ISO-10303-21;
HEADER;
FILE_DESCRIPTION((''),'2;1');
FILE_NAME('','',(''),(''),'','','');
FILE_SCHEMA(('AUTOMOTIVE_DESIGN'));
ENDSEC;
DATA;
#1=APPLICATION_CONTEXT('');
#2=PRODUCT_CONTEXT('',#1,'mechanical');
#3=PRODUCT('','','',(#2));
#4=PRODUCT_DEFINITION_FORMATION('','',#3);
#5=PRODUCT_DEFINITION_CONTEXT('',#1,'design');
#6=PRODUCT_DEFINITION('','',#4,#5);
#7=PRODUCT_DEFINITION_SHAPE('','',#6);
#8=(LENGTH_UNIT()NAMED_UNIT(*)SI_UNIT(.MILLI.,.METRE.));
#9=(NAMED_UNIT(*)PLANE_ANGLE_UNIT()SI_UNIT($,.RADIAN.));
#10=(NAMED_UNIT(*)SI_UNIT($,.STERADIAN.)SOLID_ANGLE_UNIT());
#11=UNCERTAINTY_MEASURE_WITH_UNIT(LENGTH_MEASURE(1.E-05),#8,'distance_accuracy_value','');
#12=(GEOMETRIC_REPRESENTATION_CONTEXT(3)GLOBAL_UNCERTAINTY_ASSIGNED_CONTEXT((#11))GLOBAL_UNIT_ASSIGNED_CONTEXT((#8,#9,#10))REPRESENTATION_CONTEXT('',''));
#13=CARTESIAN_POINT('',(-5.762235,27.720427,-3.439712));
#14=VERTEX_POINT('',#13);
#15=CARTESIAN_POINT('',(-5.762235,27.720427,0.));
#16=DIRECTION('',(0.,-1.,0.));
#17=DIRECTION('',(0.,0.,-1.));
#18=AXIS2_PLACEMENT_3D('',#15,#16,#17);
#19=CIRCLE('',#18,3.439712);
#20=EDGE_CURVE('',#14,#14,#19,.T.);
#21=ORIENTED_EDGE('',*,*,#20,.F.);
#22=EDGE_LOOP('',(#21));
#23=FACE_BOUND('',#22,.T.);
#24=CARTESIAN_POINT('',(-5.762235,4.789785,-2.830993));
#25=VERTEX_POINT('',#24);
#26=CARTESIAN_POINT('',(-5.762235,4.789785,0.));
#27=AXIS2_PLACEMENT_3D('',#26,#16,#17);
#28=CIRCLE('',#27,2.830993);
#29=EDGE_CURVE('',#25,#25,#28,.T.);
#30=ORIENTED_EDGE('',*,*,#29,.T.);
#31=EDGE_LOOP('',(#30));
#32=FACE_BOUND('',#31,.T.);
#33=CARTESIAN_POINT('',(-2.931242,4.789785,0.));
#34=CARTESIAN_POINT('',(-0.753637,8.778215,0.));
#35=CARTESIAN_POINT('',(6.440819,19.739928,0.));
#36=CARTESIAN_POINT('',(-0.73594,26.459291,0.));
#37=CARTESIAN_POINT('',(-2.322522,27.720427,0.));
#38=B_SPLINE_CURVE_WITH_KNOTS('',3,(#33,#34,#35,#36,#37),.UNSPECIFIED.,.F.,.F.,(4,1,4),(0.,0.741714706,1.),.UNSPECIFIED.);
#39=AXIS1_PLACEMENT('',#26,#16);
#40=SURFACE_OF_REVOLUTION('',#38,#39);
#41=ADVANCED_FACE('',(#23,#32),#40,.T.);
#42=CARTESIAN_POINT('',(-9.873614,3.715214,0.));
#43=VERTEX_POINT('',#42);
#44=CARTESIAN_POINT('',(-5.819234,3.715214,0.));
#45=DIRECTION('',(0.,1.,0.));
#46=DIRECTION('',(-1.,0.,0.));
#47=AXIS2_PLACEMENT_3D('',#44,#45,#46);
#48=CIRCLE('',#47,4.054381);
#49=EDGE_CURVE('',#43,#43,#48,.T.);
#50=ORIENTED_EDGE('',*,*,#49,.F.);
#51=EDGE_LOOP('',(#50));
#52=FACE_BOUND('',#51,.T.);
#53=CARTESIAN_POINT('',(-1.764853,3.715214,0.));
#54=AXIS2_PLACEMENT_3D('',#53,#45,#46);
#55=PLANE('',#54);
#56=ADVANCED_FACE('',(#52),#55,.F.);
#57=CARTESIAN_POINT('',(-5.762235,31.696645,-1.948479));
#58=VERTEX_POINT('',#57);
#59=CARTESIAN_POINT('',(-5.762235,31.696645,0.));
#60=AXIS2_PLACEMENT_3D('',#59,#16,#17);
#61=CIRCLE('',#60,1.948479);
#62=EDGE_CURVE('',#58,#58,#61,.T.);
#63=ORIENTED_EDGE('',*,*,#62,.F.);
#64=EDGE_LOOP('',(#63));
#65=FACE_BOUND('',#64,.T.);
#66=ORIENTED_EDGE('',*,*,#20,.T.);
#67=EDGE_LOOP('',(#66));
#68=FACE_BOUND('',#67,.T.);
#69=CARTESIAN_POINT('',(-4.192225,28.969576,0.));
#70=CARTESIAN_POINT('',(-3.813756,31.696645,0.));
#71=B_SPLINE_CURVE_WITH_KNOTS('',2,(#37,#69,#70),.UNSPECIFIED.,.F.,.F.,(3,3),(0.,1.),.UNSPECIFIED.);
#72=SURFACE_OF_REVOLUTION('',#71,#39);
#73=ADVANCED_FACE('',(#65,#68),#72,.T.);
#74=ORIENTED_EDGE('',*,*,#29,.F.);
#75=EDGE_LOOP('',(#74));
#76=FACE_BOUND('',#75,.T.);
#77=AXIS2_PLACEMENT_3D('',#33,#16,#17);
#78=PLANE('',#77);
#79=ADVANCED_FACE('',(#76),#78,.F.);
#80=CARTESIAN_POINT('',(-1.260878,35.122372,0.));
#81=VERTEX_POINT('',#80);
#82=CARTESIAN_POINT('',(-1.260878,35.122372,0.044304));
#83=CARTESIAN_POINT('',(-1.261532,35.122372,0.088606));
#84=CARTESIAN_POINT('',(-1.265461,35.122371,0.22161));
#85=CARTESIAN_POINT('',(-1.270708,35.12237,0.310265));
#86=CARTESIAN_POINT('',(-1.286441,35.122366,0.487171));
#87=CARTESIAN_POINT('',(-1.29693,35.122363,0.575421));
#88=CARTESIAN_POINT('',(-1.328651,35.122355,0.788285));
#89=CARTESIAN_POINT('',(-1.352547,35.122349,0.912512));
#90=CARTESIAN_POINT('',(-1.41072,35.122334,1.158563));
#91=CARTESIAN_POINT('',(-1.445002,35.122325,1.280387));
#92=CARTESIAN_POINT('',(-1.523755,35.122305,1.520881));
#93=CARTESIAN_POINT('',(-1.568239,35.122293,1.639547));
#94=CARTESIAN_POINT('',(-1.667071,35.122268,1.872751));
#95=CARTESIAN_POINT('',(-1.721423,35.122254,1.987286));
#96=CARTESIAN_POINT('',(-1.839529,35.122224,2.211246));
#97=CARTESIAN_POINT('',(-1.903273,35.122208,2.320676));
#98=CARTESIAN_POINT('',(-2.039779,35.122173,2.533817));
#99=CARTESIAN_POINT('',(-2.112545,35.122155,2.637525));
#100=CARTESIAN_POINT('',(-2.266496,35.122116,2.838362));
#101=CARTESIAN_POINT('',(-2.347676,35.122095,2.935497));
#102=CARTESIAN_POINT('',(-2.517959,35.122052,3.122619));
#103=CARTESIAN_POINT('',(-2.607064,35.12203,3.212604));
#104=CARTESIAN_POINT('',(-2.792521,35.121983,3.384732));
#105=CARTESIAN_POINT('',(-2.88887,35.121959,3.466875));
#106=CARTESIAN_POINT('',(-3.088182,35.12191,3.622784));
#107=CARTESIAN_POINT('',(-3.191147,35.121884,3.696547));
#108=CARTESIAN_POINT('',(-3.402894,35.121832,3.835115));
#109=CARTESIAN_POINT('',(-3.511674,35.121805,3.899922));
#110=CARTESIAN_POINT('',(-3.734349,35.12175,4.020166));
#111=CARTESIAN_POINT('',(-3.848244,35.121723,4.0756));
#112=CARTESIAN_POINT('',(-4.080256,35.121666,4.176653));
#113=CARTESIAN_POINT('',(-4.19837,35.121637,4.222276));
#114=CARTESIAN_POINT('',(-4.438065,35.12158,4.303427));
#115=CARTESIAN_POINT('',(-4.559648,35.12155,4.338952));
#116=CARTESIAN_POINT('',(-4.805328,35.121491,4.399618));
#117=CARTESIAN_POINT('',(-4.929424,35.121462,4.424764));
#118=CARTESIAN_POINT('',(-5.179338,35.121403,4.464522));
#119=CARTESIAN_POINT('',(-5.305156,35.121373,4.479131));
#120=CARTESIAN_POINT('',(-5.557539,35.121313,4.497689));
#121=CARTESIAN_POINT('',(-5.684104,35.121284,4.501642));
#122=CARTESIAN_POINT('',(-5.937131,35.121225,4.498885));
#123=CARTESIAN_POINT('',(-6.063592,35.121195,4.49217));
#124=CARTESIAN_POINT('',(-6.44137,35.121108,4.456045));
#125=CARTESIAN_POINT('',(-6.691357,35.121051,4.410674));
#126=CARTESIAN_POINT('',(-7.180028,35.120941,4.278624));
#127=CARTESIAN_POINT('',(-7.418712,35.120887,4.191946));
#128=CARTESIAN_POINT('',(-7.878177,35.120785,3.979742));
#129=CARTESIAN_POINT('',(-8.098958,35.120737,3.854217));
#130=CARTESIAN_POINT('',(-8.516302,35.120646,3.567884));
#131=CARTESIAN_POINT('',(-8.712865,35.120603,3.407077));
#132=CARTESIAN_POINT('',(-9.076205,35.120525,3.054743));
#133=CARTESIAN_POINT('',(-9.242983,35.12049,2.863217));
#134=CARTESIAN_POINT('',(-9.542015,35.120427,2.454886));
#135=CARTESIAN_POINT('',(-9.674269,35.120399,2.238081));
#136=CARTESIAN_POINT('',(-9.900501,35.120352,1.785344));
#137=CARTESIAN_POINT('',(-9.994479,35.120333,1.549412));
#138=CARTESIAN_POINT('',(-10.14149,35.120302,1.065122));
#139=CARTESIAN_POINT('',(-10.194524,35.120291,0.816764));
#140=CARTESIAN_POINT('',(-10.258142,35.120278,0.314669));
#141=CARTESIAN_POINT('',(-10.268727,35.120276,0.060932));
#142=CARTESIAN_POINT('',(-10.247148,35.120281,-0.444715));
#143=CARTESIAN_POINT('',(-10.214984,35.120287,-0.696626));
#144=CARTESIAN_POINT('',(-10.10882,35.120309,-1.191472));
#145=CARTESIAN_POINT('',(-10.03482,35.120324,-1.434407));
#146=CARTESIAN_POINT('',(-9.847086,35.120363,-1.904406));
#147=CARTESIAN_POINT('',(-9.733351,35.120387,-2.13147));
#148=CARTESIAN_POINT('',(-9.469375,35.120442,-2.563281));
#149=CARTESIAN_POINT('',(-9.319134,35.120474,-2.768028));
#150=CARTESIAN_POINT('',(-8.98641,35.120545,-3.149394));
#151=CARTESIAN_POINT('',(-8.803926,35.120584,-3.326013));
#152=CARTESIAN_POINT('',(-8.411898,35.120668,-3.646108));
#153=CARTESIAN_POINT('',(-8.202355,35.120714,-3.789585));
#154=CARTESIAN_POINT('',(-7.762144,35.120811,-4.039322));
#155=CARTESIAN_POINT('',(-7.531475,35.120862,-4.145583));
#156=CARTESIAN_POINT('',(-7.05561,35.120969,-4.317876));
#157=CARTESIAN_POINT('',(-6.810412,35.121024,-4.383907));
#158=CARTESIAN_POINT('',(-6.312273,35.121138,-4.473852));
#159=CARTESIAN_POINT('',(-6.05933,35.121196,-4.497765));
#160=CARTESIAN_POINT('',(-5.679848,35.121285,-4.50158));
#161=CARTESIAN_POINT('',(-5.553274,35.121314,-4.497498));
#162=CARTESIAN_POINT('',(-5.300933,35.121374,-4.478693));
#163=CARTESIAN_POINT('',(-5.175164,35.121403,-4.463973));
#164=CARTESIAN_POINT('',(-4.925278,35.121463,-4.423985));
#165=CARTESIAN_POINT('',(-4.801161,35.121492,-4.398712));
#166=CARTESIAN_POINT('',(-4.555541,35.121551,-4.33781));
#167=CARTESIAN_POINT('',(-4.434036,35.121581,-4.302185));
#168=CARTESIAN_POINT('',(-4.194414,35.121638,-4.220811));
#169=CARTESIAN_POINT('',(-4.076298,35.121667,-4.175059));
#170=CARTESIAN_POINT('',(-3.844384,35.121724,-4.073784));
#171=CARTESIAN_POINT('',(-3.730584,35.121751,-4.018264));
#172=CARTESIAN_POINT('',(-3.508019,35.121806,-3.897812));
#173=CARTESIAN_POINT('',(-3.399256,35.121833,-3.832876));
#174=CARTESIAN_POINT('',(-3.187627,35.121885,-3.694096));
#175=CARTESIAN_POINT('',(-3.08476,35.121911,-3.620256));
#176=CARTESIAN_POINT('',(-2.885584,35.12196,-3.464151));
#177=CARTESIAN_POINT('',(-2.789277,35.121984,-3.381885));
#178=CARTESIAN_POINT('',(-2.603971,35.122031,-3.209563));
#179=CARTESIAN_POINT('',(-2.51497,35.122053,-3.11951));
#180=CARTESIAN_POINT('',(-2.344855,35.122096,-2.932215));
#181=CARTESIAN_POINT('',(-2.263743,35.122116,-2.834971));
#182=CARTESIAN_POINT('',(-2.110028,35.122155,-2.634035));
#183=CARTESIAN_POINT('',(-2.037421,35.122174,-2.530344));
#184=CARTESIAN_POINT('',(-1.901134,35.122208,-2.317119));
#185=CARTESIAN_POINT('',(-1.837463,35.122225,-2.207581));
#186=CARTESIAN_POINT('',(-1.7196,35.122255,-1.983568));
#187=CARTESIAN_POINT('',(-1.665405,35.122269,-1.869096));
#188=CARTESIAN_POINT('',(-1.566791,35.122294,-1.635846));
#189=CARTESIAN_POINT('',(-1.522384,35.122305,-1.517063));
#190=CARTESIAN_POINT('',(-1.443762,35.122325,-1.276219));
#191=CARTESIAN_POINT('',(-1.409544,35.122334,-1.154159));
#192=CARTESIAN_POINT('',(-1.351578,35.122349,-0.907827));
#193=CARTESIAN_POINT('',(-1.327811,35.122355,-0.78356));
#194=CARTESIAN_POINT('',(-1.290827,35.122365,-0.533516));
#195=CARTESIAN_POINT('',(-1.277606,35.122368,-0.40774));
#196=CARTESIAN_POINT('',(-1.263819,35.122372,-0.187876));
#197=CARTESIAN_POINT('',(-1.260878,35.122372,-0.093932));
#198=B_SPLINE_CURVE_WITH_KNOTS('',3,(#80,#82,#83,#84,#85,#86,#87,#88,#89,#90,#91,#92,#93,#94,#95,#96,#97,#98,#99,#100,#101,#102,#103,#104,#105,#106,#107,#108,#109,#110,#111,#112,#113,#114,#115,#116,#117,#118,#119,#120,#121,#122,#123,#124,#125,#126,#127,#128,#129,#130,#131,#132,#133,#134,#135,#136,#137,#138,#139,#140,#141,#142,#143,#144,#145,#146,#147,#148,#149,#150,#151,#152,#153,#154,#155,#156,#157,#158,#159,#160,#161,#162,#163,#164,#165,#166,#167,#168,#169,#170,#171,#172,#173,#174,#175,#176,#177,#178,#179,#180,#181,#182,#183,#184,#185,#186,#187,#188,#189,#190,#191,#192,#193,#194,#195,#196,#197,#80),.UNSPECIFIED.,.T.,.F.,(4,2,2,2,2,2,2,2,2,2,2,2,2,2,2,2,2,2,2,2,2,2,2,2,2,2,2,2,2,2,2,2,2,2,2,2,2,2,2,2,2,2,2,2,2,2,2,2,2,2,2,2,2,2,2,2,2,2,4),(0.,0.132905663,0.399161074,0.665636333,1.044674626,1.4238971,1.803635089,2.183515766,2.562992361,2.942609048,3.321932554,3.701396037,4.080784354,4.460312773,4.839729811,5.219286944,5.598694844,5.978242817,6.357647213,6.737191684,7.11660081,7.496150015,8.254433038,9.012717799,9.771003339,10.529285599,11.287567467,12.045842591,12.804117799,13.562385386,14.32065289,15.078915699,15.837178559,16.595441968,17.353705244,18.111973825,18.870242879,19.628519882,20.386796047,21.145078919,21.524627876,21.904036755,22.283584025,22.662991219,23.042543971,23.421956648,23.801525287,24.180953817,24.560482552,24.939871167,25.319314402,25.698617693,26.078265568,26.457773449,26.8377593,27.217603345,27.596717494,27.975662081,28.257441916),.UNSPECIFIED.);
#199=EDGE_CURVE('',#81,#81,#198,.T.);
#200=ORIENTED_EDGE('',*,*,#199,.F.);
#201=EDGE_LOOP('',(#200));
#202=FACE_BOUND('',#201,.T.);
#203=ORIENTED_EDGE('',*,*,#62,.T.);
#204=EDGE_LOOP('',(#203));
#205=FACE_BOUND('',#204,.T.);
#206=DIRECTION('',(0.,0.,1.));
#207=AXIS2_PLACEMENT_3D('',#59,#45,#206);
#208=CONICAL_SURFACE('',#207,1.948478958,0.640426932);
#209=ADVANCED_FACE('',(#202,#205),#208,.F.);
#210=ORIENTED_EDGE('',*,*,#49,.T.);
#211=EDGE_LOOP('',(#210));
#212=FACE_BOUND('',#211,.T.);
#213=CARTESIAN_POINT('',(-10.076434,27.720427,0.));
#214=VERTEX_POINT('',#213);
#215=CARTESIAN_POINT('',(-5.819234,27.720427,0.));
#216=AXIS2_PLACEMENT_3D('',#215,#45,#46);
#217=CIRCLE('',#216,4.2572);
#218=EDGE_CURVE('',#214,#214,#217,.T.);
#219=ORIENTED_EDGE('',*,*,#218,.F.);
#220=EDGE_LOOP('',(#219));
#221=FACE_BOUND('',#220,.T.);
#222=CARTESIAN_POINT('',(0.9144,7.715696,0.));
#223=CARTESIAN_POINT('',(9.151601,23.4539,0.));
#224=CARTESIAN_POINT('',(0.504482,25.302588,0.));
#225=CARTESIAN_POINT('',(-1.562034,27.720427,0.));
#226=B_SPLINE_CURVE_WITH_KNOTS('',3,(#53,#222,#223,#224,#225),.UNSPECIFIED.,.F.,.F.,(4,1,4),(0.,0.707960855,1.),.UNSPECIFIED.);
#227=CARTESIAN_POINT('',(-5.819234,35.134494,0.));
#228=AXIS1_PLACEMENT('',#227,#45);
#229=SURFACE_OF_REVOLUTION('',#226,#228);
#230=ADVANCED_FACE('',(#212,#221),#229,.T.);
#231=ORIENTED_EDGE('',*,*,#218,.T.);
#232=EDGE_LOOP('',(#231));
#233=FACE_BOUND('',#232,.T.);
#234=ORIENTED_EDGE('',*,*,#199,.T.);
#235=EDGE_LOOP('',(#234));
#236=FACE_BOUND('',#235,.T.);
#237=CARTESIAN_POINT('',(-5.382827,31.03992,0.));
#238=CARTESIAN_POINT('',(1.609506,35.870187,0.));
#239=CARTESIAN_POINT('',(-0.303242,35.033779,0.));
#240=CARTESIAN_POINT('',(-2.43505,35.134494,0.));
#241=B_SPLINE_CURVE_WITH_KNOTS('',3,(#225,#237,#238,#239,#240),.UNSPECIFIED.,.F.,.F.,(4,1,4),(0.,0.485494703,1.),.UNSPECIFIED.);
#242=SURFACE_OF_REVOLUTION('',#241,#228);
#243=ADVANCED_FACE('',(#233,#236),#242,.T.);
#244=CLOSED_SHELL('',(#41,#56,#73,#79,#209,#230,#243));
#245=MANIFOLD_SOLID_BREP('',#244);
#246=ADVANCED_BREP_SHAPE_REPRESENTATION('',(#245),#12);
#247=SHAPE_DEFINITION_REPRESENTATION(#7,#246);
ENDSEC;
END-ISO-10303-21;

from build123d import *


with BuildPart() as part:
    # Sketch1 → Revolve1 (revolve)
    with BuildSketch(Plane.XY):
        with BuildLine():
            Line((-1.764853326, 3.715213709), (-5.819233909, 3.715213709))
            Line((-5.819233909, 3.715213709), (-5.819233909, 35.134493571))
            Line((-5.819233909, 35.134493571), (-2.435050467, 35.134493571))
            add(Edge.make_bspline(
                [(-2.435050467, 35.134493571), (-0.303241906, 35.033779017), (1.609505534, 35.870187318), (-5.382826884, 31.039920121), (-1.562034093, 27.720427487)],
                knots=[0, 0, 0, 0, 0.514505297, 1, 1, 1, 1], degree=3))
            add(Edge.make_bspline(
                [(-1.562034093, 27.720427487), (0.504481908, 25.302588125), (9.151601225, 23.453899576), (0.914400055, 7.715695587), (-1.764853326, 3.715213709)],
                knots=[0, 0, 0, 0, 0.292039145, 1, 1, 1, 1], degree=3))
        make_face()
    revolve(axis=Axis((-5.819233909, 35.134493571, 0), (0, -1, 0)))

    # Sketch2 → Cut-Revolve4 (revolve, cut)
    with BuildSketch(Plane.XY):
        with BuildLine():
            Line((-5.762234512, 35.283107664), (-1.14109655, 35.283107664))
            Line((-1.14109655, 35.283107664), (-3.813755554, 31.696645472))
            add(Edge.make_bspline(
                [(-3.813755554, 31.696645472), (-4.192225419, 28.969576306), (-2.322522019, 27.720427487)],
                knots=[0, 0, 0, 1, 1, 1], degree=2))
            add(Edge.make_bspline(
                [(-2.322522019, 27.720427487), (-0.735940168, 26.459290727), (6.440819143, 19.739927614), (-0.7536371, 8.778215117), (-2.931241799, 4.78978541)],
                knots=[0, 0, 0, 0, 0.258285294, 1, 1, 1, 1], degree=3))
            Line((-2.931241799, 4.78978541), (-5.762234512, 4.78978541))
            Line((-5.762234512, 4.78978541), (-5.762234512, 35.283107664))
        make_face()
    revolve(axis=Axis((-5.762234512, 4.78978541, 0), (0, 1, 0)), mode=Mode.SUBTRACT)


solid = part.part
